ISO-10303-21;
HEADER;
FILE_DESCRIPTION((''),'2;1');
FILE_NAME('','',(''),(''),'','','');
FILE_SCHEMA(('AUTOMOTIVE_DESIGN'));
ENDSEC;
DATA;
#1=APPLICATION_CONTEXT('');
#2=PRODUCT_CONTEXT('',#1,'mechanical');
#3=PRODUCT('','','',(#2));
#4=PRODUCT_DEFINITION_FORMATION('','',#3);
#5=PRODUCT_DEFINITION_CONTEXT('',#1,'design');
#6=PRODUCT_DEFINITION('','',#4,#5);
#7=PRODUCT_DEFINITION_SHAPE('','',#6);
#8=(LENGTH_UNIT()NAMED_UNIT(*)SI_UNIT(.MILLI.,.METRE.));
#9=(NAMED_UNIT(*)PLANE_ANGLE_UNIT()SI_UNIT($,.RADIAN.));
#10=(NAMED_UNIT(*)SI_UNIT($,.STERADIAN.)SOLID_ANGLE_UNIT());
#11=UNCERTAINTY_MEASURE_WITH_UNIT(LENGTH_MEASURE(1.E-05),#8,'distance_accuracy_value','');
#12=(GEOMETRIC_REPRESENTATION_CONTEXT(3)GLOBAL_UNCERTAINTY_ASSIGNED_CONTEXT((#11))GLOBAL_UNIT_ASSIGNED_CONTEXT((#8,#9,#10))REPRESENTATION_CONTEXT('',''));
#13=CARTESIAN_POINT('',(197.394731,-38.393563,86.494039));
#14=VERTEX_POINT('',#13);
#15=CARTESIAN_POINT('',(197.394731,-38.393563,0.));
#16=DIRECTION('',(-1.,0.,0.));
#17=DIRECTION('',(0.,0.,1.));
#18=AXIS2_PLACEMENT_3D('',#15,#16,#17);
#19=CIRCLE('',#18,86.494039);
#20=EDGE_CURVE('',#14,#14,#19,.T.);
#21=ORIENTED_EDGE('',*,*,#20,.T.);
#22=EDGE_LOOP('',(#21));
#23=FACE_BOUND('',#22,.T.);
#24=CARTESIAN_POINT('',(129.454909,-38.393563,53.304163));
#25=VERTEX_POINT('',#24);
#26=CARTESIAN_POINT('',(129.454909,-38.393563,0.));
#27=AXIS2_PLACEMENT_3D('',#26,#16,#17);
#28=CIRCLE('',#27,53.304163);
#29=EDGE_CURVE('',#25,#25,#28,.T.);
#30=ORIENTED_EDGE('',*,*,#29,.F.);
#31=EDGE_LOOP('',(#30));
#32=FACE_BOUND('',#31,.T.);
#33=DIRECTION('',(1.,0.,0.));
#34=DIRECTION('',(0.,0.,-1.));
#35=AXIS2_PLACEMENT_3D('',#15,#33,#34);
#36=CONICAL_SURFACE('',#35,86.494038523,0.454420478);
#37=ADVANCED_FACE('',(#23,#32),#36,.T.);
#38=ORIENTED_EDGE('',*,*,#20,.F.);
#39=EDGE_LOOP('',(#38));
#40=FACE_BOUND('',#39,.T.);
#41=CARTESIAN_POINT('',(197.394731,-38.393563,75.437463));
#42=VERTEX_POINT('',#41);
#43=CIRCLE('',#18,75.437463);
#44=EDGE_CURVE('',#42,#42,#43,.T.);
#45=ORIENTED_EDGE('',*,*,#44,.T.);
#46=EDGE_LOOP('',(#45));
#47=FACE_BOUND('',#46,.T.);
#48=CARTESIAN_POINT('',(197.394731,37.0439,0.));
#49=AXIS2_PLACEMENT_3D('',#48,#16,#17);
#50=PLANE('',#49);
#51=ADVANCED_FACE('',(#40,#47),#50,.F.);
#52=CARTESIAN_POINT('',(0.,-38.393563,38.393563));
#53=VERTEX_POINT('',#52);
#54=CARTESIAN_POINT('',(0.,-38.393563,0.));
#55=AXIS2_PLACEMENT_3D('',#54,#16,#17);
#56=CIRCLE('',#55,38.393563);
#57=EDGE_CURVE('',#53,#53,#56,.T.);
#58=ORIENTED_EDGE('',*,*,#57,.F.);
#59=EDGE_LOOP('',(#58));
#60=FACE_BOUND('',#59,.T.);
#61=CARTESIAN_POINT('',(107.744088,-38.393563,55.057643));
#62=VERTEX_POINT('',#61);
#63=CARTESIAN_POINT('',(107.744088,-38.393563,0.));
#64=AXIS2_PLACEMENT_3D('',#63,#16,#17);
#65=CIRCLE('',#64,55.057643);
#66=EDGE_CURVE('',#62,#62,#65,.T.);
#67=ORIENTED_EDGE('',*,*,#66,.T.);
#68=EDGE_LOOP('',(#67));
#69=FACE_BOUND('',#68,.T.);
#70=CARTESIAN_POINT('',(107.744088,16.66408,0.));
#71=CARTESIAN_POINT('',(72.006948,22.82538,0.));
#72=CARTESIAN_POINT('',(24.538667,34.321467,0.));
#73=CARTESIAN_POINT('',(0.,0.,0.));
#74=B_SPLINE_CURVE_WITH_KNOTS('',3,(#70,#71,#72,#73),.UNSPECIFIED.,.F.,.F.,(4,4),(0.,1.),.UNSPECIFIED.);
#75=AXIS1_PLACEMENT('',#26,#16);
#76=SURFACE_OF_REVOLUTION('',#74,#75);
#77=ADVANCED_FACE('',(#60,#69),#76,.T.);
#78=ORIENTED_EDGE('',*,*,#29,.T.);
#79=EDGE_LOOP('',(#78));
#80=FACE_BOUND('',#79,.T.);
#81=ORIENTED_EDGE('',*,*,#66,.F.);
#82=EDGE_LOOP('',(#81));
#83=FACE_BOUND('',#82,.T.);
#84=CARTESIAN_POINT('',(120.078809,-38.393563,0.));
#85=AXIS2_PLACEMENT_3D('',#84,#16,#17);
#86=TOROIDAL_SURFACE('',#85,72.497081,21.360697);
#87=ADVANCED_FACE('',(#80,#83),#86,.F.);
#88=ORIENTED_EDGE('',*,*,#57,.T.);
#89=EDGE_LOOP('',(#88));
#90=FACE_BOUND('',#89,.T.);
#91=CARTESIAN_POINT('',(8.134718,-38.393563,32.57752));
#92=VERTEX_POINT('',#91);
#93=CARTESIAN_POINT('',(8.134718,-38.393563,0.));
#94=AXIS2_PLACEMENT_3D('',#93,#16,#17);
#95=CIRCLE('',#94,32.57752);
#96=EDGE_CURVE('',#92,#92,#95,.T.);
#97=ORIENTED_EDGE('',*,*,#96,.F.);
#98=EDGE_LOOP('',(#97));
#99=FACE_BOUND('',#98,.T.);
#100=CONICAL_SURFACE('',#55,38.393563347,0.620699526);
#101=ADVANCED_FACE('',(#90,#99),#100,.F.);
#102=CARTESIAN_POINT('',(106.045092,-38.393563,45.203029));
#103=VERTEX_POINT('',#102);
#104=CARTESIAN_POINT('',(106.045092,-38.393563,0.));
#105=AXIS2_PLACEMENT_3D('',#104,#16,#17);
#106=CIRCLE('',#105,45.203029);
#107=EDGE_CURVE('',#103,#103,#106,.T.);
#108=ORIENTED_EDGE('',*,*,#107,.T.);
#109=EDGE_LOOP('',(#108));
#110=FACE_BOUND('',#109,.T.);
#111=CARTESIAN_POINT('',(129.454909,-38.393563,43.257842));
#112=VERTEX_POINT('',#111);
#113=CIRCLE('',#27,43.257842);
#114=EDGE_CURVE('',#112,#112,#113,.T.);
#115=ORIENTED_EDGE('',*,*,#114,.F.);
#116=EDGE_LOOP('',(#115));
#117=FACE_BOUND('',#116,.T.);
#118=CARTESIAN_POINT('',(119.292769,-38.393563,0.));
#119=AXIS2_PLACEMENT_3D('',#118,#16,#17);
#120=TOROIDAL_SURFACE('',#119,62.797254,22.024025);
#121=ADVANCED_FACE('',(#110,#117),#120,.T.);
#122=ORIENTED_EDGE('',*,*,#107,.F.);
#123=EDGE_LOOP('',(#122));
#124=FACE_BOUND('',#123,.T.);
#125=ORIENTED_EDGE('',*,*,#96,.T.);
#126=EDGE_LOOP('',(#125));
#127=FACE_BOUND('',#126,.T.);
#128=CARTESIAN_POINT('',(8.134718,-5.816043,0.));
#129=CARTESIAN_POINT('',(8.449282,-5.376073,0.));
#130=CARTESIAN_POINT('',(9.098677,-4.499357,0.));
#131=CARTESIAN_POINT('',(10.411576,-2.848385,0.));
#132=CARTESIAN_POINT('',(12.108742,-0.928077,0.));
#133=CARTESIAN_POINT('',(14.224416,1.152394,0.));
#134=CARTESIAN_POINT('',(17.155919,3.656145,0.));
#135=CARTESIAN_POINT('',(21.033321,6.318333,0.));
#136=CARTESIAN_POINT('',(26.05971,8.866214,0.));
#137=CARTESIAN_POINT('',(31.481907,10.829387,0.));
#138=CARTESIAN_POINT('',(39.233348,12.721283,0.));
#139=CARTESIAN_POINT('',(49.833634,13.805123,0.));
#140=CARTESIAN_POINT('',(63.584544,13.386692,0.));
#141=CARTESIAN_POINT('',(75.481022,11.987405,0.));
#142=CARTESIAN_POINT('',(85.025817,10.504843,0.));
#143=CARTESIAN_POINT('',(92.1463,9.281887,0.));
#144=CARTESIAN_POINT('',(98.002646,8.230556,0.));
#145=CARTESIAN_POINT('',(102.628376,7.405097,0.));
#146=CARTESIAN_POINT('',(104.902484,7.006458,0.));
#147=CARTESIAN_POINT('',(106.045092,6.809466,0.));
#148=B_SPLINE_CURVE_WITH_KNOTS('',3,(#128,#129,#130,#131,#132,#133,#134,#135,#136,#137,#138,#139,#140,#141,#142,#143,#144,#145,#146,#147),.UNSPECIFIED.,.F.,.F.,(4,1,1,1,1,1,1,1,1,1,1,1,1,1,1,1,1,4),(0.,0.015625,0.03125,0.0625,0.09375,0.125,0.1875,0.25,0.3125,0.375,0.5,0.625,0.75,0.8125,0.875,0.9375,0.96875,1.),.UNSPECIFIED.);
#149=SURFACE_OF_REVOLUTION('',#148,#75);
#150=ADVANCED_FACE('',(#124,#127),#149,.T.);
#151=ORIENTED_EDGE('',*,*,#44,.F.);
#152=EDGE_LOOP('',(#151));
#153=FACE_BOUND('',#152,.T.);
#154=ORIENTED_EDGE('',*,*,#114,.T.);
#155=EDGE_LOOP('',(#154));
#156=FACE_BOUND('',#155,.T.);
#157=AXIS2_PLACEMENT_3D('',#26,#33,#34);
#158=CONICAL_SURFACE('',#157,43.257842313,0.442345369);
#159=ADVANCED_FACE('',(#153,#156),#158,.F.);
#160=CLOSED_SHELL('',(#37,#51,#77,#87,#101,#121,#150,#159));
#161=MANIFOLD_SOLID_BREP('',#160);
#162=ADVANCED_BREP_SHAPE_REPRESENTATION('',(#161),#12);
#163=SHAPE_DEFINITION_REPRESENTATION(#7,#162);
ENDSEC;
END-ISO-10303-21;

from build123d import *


with BuildPart() as part:
    # Sketch1 → Revolve3 (revolve)
    with BuildSketch(Plane.XY, mode=Mode.PRIVATE) as revolve3_sk:
        with BuildLine():
            Line((129.454909333, 14.91059962), (197.394731405, 48.100475176))
            Line((197.394731405, 48.100475176), (197.394731405, 37.04389981))
            Line((197.394731405, 37.04389981), (129.454909333, 4.864278966))
            ThreePointArc((129.454909333, 4.864278966), (117.469016856, 2.455305087), (106.045092047, 6.809465809))
            add(Edge.make_bspline(
                [(8.134718081, -5.816043478), (8.449281823, -5.376073012), (9.098676561, -4.499357309), (10.411576263, -2.848385412), (12.108741528, -0.928077446), (14.224416257, 1.152393571), (17.155918715, 3.656144733), (21.03332082, 6.318333413), (26.059709975, 8.866214455), (31.481907316, 10.829387399), (39.23334831, 12.72128327), (49.833633799, 13.805122547), (63.584543999, 13.386691556), (75.481021534, 11.987405109), (85.025817049, 10.504842911), (92.146299555, 9.28188719), (98.002645597, 8.230555564), (102.628376471, 7.405096976), (104.902483803, 7.006458439), (106.045092047, 6.809465809)],
                knots=[0, 0, 0, 0, 0.015625, 0.03125, 0.0625, 0.09375, 0.125, 0.1875, 0.25, 0.3125, 0.375, 0.5, 0.625, 0.75, 0.8125, 0.875, 0.9375, 0.96875, 1, 1, 1, 1], degree=3))
            Line((8.134718081, -5.816043478), (0, 0))
            add(Edge.make_bspline(
                [(0, 0), (24.538667418, 34.321466527), (72.006948021, 22.825380489), (107.74408758, 16.664079661)],
                knots=[0, 0, 0, 0, 1, 1, 1, 1], degree=3))
            ThreePointArc((107.74408758, 16.664079661), (118.359206539, 12.812150376), (129.454909333, 14.91059962))
        make_face()
    revolve(revolve3_sk.sketch.rotate(Axis((129.454909333, -38.393563347, 0), (1, 0, 0)), 90), axis=Axis((129.454909333, -38.393563347, 0), (1, 0, 0)))


solid = part.part
